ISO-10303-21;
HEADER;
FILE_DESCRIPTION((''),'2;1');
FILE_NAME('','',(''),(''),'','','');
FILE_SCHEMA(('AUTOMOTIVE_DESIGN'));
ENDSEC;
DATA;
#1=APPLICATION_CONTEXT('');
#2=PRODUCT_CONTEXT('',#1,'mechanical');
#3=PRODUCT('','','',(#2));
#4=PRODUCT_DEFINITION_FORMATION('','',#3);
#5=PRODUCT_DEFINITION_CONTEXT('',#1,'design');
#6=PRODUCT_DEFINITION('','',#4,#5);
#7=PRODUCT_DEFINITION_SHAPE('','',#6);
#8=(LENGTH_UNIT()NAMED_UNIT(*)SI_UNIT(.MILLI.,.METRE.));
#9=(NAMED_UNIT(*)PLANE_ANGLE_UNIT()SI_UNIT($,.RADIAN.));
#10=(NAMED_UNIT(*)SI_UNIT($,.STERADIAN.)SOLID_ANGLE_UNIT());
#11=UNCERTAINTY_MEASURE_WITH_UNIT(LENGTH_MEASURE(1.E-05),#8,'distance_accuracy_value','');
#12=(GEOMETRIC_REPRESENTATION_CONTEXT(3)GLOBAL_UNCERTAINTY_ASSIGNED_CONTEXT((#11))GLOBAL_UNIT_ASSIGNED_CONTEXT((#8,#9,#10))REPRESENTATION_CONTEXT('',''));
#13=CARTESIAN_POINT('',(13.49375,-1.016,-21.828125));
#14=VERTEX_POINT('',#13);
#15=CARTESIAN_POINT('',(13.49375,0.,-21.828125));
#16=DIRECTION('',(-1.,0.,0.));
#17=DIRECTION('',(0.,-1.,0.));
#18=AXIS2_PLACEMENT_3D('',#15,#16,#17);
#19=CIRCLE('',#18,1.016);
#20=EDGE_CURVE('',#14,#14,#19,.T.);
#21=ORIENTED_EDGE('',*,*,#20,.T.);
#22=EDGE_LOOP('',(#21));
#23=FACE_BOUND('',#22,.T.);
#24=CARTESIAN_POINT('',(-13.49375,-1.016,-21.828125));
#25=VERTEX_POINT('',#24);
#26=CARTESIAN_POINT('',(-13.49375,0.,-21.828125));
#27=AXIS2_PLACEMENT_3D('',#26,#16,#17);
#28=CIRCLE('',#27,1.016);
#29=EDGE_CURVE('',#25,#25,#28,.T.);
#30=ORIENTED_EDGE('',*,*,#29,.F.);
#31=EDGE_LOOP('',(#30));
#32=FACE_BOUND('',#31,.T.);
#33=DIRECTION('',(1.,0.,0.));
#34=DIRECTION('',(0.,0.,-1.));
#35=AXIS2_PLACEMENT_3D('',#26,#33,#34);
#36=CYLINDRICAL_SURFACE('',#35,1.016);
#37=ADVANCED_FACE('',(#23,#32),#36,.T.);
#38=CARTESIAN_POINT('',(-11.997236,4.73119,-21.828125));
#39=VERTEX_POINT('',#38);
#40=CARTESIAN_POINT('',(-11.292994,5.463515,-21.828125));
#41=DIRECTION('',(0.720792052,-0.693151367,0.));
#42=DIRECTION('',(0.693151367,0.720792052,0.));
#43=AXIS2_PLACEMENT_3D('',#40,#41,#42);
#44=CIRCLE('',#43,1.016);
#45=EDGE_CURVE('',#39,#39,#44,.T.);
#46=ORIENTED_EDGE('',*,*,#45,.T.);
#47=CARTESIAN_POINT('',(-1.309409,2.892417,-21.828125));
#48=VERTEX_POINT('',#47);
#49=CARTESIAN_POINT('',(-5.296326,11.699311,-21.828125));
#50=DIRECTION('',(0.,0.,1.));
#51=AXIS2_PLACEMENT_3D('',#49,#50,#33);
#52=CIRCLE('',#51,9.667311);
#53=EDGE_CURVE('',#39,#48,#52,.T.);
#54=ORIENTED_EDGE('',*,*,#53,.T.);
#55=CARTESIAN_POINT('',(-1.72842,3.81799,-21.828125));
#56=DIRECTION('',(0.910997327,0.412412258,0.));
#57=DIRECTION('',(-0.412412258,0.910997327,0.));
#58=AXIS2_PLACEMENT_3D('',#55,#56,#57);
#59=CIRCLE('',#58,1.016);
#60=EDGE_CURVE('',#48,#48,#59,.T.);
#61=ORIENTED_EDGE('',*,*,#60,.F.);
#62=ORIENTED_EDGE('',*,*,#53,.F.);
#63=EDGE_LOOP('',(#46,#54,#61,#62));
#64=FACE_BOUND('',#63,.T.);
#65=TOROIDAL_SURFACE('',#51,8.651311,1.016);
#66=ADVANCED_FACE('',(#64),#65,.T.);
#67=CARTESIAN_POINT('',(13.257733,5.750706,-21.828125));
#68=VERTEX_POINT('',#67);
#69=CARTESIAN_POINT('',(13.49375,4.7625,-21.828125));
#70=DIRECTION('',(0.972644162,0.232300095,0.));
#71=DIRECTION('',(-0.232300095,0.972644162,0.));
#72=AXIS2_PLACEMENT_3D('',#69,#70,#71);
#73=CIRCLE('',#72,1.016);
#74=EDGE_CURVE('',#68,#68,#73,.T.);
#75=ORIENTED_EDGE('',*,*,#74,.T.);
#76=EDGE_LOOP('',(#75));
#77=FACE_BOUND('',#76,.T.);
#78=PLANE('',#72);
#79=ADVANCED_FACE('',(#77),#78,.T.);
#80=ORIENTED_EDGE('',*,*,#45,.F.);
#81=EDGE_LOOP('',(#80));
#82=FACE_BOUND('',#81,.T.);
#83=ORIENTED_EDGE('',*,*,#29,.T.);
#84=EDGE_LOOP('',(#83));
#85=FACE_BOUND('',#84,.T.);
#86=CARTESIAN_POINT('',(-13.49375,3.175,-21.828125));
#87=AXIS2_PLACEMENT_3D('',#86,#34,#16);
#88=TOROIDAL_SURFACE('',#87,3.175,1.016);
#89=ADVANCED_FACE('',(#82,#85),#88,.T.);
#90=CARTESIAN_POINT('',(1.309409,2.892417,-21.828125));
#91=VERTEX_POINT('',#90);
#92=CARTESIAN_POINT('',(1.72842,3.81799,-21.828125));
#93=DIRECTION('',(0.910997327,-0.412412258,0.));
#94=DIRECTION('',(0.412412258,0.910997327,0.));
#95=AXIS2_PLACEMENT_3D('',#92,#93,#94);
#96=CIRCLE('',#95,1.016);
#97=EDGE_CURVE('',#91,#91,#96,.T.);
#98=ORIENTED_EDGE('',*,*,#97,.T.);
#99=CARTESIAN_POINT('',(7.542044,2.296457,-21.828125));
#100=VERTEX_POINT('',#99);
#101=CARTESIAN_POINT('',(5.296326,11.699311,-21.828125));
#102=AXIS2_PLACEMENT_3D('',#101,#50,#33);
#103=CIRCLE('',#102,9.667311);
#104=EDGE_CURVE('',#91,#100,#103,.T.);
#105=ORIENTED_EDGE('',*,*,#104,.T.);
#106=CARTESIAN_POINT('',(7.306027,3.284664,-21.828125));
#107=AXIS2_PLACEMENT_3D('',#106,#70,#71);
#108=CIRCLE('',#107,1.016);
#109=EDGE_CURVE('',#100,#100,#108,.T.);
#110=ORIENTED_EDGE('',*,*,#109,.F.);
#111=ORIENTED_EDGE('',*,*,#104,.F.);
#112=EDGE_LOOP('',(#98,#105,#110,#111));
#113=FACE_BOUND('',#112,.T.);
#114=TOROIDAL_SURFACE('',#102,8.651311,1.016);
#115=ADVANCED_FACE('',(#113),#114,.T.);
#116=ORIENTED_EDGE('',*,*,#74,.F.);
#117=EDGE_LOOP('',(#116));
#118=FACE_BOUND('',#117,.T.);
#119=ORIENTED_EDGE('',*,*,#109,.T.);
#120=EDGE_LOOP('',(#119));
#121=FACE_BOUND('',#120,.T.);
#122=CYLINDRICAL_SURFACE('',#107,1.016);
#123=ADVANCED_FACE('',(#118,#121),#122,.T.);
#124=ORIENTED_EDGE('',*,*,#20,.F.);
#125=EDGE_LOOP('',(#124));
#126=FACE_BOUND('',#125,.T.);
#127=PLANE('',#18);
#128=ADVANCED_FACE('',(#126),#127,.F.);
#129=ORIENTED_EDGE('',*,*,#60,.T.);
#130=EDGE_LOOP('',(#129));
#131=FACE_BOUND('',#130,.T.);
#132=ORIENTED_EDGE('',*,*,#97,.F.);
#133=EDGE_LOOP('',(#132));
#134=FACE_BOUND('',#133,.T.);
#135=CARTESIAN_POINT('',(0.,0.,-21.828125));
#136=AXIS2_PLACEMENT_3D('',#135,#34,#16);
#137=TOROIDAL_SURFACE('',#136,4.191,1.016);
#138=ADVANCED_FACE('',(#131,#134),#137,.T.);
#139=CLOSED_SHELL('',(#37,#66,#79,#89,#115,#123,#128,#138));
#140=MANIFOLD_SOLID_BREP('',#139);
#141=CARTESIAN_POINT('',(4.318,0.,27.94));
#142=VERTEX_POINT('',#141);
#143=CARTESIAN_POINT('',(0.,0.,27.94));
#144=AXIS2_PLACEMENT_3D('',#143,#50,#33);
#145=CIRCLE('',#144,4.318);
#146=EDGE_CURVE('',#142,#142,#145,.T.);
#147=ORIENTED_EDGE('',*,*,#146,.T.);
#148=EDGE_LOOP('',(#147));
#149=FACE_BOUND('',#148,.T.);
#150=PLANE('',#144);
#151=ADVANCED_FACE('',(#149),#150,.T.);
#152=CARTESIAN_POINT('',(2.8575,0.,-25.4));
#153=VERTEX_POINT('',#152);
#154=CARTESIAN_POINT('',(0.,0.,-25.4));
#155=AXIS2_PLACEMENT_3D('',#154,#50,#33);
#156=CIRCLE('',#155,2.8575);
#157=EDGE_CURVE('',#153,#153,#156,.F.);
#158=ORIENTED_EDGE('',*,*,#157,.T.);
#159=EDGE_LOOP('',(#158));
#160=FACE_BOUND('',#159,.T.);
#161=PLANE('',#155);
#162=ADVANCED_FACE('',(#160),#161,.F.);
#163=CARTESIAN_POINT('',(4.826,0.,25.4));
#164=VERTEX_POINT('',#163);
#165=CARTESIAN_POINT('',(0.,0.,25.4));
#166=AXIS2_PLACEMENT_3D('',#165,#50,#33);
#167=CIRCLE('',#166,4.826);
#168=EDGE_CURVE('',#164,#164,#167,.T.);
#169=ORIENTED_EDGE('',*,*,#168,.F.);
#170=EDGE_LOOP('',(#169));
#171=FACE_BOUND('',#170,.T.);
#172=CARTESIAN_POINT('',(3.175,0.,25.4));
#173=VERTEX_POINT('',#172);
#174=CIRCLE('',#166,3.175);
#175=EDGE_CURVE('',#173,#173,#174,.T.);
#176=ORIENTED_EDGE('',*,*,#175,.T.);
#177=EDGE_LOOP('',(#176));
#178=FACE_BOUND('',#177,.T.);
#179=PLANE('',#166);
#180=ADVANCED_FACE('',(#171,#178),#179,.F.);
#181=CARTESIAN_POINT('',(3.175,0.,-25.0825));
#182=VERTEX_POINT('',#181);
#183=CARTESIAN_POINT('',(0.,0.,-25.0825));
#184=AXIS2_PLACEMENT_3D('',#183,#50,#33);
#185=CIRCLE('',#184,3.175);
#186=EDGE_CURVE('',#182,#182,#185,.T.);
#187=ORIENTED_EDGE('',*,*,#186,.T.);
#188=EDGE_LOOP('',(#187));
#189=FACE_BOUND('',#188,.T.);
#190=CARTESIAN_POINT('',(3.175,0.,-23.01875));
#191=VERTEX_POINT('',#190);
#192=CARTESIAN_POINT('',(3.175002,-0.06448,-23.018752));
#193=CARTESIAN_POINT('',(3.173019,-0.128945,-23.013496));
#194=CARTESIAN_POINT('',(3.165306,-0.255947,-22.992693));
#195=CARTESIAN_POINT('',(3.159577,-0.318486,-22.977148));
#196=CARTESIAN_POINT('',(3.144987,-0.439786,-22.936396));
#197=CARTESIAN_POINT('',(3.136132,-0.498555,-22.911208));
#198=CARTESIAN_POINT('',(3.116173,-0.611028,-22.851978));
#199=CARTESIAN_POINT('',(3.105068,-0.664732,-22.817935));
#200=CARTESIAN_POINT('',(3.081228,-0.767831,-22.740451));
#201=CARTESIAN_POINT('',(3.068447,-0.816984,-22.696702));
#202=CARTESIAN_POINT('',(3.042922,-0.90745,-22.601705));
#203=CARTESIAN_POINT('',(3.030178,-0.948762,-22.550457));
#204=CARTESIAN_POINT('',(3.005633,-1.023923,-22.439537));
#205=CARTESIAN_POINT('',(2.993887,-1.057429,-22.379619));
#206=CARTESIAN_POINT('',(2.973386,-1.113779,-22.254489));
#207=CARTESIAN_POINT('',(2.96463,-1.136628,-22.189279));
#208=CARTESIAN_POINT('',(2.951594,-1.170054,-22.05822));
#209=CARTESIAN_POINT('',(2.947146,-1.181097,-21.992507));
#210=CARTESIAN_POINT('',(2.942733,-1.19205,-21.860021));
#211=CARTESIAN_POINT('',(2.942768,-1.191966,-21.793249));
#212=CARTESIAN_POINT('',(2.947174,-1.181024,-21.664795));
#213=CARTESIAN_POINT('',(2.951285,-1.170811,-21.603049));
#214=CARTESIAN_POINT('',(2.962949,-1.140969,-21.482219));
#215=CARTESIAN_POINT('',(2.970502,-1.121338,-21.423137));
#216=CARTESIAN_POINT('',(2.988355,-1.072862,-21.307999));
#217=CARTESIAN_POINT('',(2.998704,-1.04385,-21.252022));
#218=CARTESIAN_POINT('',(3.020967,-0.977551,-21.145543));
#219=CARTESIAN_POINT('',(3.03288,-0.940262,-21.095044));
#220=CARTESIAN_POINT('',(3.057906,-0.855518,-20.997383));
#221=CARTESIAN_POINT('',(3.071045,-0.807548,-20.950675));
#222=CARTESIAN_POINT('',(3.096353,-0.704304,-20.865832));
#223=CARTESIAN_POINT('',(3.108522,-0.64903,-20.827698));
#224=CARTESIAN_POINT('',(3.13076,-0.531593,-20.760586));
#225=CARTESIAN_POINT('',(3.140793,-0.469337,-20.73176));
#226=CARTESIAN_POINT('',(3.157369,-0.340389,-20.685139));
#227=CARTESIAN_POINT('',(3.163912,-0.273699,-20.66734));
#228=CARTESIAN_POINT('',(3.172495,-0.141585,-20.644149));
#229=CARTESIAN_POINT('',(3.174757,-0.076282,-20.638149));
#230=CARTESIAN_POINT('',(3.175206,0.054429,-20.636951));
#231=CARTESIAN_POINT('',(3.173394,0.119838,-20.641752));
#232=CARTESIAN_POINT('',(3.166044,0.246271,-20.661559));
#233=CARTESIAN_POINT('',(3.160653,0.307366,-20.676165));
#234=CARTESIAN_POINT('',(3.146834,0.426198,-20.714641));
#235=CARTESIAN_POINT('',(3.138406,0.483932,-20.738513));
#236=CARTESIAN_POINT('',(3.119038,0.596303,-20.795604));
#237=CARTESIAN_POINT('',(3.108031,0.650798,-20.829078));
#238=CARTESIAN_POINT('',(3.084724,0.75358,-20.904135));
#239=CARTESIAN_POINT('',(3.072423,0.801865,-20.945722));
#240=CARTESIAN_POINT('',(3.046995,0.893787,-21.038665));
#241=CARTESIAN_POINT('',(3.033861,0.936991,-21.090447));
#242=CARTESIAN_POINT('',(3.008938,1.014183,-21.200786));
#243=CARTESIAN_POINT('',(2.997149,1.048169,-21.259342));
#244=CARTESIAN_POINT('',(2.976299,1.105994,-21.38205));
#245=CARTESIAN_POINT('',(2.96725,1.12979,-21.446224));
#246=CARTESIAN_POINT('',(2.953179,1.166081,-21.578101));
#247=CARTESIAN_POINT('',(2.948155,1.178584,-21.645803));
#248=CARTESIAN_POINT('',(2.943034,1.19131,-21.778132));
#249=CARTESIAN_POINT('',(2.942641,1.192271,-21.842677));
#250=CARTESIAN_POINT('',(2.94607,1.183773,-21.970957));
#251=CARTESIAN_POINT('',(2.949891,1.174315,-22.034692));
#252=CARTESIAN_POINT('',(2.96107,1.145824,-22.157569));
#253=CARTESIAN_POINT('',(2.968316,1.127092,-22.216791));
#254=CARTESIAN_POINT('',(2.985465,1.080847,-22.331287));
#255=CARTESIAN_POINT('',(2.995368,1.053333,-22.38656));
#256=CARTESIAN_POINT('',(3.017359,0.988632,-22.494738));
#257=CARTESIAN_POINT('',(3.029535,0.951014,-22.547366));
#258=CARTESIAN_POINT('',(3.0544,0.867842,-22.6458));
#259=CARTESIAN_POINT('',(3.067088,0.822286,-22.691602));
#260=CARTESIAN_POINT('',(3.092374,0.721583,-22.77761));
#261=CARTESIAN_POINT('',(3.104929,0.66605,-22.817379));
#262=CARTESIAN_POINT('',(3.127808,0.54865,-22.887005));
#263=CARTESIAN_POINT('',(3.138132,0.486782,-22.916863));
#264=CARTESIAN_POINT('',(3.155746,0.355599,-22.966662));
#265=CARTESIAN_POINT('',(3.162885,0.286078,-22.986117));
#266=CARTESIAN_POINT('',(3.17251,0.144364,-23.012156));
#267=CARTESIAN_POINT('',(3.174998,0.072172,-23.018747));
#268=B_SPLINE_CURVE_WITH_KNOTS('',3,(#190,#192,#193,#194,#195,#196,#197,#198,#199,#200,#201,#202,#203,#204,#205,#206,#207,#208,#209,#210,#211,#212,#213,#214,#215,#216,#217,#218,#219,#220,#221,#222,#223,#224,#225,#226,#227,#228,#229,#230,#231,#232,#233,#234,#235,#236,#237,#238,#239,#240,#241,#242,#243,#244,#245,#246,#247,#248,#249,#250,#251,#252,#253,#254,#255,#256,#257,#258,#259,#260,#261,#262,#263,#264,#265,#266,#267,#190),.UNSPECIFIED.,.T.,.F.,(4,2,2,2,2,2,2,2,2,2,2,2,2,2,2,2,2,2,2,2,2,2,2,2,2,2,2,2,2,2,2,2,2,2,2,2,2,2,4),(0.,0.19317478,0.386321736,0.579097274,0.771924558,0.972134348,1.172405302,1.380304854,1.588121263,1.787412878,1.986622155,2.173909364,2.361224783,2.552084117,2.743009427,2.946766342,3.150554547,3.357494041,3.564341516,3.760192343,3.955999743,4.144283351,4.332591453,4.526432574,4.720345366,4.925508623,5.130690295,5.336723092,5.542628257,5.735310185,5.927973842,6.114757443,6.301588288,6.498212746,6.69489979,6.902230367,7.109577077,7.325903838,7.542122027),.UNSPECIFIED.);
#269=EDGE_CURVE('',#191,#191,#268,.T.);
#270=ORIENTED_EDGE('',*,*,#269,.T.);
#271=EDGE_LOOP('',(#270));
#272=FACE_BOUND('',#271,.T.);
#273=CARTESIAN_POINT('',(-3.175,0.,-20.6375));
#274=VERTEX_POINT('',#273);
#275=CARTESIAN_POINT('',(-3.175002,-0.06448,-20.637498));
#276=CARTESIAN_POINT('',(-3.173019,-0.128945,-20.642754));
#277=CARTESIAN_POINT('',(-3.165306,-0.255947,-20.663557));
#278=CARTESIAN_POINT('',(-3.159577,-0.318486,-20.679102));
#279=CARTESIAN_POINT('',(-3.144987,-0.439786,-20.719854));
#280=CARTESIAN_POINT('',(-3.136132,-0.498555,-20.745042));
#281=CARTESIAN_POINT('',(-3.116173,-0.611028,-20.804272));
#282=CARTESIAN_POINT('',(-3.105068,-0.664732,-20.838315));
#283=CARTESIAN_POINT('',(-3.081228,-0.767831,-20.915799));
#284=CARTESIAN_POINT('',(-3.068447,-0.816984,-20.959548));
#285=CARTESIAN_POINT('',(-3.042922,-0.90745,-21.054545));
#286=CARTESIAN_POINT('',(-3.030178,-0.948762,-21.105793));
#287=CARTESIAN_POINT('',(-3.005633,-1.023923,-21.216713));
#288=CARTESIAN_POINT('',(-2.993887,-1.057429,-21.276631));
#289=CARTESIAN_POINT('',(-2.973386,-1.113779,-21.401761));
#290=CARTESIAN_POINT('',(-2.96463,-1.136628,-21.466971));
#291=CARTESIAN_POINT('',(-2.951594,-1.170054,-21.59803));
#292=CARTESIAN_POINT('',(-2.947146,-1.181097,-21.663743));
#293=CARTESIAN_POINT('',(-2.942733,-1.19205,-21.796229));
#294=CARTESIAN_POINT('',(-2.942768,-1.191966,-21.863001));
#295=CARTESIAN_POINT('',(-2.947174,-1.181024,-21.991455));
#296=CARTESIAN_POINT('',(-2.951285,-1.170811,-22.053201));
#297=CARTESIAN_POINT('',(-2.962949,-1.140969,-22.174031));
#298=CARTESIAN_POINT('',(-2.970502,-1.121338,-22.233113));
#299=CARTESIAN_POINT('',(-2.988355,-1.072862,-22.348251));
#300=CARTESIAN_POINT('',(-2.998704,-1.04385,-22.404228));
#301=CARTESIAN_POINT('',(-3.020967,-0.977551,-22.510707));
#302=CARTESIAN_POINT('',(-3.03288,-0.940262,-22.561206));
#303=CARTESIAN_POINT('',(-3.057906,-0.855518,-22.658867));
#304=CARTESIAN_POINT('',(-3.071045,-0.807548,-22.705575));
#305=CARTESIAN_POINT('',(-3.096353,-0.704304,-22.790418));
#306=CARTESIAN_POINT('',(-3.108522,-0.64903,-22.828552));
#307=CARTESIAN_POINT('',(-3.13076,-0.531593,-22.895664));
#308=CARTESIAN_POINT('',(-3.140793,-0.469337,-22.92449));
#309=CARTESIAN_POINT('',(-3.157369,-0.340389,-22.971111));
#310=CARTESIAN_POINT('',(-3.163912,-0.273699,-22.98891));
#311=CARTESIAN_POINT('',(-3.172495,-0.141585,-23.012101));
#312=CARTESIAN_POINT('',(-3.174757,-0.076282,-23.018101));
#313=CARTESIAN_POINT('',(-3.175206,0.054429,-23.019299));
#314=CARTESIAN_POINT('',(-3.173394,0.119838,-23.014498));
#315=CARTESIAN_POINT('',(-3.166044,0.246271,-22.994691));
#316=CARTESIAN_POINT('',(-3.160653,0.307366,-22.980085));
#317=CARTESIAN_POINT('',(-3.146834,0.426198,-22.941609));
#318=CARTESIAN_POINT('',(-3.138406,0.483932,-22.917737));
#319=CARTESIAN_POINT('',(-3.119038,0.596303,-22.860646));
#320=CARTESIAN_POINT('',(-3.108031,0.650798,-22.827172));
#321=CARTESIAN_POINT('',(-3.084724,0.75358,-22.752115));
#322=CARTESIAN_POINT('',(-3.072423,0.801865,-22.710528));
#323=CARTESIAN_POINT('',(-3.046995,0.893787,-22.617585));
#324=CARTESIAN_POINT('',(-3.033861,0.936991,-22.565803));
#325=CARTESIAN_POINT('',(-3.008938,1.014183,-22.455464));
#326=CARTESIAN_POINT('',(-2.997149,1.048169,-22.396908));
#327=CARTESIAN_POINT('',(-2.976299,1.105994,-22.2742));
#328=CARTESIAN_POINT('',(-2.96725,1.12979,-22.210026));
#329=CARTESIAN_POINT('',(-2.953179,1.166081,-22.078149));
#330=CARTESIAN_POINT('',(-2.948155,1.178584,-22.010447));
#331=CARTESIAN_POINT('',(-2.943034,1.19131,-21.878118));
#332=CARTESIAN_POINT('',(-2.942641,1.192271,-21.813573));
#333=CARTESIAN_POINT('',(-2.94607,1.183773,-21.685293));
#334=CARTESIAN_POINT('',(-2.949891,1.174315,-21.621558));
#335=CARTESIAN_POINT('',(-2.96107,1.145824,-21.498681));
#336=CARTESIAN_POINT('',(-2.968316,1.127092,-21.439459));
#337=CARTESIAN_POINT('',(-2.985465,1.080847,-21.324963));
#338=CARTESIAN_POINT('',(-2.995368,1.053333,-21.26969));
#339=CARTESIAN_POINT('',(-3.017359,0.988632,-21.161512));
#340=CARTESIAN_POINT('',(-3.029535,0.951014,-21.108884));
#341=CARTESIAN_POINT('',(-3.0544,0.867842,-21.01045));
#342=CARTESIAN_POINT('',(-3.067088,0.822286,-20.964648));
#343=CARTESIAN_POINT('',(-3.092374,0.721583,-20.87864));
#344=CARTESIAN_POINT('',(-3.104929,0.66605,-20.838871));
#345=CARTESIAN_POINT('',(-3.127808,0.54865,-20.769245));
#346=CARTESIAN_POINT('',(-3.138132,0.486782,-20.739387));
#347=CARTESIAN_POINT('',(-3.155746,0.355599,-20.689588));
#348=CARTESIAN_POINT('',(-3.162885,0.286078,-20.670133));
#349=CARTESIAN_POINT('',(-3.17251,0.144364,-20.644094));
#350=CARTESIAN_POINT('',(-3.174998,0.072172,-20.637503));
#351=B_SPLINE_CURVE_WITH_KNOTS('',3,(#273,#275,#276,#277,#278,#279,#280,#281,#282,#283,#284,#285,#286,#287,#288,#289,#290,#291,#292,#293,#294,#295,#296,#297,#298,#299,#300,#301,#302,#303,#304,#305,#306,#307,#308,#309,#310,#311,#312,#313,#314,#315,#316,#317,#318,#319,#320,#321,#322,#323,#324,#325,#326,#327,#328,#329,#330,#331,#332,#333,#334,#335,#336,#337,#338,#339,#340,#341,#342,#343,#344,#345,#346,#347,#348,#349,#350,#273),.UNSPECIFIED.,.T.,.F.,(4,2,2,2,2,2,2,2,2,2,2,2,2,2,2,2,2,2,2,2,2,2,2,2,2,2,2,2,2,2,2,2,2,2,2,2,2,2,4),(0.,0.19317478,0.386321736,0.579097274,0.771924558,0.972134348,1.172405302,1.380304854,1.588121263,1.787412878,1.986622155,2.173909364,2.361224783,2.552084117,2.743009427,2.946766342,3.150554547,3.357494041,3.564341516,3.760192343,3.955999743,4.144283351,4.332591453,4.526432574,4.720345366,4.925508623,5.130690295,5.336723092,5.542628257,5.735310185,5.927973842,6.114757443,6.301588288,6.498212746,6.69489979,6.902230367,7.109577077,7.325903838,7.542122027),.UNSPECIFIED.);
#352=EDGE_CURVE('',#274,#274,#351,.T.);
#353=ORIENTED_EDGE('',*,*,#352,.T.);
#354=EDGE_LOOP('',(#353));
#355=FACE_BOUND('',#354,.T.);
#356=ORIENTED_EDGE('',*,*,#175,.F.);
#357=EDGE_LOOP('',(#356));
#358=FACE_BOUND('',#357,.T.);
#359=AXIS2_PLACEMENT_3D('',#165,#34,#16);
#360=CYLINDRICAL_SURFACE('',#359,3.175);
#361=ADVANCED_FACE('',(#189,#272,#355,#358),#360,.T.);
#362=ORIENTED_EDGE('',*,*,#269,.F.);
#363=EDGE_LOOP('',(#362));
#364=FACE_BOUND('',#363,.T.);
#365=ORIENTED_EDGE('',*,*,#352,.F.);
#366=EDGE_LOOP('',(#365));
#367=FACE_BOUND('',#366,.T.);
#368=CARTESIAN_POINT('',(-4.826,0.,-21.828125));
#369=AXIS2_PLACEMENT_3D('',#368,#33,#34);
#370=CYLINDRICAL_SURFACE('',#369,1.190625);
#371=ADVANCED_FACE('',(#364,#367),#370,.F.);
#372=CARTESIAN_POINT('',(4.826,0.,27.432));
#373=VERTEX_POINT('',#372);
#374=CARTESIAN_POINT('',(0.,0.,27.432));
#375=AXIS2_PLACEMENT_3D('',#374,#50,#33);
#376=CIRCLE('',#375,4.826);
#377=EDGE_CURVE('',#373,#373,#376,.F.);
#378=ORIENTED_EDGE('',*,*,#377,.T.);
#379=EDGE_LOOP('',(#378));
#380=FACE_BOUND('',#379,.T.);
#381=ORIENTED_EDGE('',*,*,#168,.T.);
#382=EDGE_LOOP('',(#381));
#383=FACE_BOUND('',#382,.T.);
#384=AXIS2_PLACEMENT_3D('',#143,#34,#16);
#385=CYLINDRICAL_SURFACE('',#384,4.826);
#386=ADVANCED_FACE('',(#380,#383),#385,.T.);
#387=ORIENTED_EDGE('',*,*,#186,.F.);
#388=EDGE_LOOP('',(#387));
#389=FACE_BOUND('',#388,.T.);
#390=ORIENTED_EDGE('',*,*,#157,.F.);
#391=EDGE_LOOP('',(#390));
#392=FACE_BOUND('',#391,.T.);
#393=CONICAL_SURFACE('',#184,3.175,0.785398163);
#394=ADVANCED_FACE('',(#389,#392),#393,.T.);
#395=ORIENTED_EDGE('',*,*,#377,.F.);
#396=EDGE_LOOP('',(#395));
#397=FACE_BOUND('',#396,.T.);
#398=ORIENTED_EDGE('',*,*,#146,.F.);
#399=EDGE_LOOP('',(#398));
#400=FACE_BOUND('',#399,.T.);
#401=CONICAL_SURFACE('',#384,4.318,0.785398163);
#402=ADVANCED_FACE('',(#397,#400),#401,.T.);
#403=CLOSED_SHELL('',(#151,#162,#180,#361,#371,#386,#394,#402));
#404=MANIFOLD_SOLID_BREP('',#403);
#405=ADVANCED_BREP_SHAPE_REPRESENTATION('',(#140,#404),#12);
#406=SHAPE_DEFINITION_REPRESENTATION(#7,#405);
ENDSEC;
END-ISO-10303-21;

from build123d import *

# Parameters (mm, degrees)
SKETCH1_R           = 3.175
EXTRUDE1_DEPTH      = 25.4
SKETCH2_R           = 4.826
EXTRUDE2_DEPTH      = 2.54
CHAMFER1_SIZE       = 0.508
SKETCH3_R           = 1.190625
EXTRUDE3_DEPTH      = 5.826
EXTRUDE3_DEPTH_BACK = 5.826
CHAMFER2_SIZE       = 0.3175
SKETCH7_R           = 1.016


with BuildPart() as part:
    # Sketch1 → Extrude1 (new body, symmetric)
    with BuildSketch(Plane.XY):
        Circle(SKETCH1_R)
    extrude(amount=EXTRUDE1_DEPTH, both=True)

    # Sketch2 → Extrude2 (add)
    with BuildSketch(Plane.XY.offset(25.4)):
        Circle(SKETCH2_R)
    extrude(amount=EXTRUDE2_DEPTH)

    # Chamfer1
    chamfer1_edges = [part.edges().sort_by_distance(p)[0] for p in [
        (-4.826, 0, 27.94),
    ]]
    chamfer(chamfer1_edges, length=CHAMFER1_SIZE)

    # Sketch3 → Extrude3 (cut, two sides)
    with BuildSketch(Plane(origin=(0, 0, 0), x_dir=(0, 0, -1), z_dir=(1, 0, 0))) as extrude3_sk:
        with Locations((21.828125, 0)):
            Circle(SKETCH3_R)
    extrude(amount=EXTRUDE3_DEPTH, mode=Mode.SUBTRACT)
    extrude(extrude3_sk.sketch, amount=-EXTRUDE3_DEPTH_BACK, mode=Mode.SUBTRACT)

    # Chamfer2
    chamfer2_edges = [part.edges().sort_by_distance(p)[0] for p in [
        (-3.175, 0, -25.4),
    ]]
    chamfer(chamfer2_edges, length=CHAMFER2_SIZE)


with BuildPart() as body_2:
    # Sweep1: sweep along a path in Sketch6
    with BuildLine(Plane.XY.offset(-21.828125)) as sweep1_path:
        Line((13.49375, 0), (-13.49375, 0))
        ThreePointArc((-13.49375, 0), (-16.438801729, 4.361294783), (-11.292994408, 5.463514764))
        ThreePointArc((-11.292994408, 5.463514764), (-6.763179694, 3.173261299), (-1.728419774, 3.817989796))
        ThreePointArc((-1.728419774, 3.817989796), (0, 4.191), (1.728419774, 3.817989796))
        ThreePointArc((1.728419774, 3.817989796), (4.472851559, 3.087280395), (7.306026778, 3.28466386))
        Line((7.306026778, 3.28466386), (13.49375, 4.7625))
    # Sketch7 → Sweep1 (sweep)
    with BuildSketch(Plane(origin=(13.49375, 0, -21.828125), x_dir=(0, 0, 1), z_dir=(-1, 0, 0))):
        Circle(SKETCH7_R)
    sweep(path=sweep1_path.line)


solid = Compound([part.part, body_2.part])
